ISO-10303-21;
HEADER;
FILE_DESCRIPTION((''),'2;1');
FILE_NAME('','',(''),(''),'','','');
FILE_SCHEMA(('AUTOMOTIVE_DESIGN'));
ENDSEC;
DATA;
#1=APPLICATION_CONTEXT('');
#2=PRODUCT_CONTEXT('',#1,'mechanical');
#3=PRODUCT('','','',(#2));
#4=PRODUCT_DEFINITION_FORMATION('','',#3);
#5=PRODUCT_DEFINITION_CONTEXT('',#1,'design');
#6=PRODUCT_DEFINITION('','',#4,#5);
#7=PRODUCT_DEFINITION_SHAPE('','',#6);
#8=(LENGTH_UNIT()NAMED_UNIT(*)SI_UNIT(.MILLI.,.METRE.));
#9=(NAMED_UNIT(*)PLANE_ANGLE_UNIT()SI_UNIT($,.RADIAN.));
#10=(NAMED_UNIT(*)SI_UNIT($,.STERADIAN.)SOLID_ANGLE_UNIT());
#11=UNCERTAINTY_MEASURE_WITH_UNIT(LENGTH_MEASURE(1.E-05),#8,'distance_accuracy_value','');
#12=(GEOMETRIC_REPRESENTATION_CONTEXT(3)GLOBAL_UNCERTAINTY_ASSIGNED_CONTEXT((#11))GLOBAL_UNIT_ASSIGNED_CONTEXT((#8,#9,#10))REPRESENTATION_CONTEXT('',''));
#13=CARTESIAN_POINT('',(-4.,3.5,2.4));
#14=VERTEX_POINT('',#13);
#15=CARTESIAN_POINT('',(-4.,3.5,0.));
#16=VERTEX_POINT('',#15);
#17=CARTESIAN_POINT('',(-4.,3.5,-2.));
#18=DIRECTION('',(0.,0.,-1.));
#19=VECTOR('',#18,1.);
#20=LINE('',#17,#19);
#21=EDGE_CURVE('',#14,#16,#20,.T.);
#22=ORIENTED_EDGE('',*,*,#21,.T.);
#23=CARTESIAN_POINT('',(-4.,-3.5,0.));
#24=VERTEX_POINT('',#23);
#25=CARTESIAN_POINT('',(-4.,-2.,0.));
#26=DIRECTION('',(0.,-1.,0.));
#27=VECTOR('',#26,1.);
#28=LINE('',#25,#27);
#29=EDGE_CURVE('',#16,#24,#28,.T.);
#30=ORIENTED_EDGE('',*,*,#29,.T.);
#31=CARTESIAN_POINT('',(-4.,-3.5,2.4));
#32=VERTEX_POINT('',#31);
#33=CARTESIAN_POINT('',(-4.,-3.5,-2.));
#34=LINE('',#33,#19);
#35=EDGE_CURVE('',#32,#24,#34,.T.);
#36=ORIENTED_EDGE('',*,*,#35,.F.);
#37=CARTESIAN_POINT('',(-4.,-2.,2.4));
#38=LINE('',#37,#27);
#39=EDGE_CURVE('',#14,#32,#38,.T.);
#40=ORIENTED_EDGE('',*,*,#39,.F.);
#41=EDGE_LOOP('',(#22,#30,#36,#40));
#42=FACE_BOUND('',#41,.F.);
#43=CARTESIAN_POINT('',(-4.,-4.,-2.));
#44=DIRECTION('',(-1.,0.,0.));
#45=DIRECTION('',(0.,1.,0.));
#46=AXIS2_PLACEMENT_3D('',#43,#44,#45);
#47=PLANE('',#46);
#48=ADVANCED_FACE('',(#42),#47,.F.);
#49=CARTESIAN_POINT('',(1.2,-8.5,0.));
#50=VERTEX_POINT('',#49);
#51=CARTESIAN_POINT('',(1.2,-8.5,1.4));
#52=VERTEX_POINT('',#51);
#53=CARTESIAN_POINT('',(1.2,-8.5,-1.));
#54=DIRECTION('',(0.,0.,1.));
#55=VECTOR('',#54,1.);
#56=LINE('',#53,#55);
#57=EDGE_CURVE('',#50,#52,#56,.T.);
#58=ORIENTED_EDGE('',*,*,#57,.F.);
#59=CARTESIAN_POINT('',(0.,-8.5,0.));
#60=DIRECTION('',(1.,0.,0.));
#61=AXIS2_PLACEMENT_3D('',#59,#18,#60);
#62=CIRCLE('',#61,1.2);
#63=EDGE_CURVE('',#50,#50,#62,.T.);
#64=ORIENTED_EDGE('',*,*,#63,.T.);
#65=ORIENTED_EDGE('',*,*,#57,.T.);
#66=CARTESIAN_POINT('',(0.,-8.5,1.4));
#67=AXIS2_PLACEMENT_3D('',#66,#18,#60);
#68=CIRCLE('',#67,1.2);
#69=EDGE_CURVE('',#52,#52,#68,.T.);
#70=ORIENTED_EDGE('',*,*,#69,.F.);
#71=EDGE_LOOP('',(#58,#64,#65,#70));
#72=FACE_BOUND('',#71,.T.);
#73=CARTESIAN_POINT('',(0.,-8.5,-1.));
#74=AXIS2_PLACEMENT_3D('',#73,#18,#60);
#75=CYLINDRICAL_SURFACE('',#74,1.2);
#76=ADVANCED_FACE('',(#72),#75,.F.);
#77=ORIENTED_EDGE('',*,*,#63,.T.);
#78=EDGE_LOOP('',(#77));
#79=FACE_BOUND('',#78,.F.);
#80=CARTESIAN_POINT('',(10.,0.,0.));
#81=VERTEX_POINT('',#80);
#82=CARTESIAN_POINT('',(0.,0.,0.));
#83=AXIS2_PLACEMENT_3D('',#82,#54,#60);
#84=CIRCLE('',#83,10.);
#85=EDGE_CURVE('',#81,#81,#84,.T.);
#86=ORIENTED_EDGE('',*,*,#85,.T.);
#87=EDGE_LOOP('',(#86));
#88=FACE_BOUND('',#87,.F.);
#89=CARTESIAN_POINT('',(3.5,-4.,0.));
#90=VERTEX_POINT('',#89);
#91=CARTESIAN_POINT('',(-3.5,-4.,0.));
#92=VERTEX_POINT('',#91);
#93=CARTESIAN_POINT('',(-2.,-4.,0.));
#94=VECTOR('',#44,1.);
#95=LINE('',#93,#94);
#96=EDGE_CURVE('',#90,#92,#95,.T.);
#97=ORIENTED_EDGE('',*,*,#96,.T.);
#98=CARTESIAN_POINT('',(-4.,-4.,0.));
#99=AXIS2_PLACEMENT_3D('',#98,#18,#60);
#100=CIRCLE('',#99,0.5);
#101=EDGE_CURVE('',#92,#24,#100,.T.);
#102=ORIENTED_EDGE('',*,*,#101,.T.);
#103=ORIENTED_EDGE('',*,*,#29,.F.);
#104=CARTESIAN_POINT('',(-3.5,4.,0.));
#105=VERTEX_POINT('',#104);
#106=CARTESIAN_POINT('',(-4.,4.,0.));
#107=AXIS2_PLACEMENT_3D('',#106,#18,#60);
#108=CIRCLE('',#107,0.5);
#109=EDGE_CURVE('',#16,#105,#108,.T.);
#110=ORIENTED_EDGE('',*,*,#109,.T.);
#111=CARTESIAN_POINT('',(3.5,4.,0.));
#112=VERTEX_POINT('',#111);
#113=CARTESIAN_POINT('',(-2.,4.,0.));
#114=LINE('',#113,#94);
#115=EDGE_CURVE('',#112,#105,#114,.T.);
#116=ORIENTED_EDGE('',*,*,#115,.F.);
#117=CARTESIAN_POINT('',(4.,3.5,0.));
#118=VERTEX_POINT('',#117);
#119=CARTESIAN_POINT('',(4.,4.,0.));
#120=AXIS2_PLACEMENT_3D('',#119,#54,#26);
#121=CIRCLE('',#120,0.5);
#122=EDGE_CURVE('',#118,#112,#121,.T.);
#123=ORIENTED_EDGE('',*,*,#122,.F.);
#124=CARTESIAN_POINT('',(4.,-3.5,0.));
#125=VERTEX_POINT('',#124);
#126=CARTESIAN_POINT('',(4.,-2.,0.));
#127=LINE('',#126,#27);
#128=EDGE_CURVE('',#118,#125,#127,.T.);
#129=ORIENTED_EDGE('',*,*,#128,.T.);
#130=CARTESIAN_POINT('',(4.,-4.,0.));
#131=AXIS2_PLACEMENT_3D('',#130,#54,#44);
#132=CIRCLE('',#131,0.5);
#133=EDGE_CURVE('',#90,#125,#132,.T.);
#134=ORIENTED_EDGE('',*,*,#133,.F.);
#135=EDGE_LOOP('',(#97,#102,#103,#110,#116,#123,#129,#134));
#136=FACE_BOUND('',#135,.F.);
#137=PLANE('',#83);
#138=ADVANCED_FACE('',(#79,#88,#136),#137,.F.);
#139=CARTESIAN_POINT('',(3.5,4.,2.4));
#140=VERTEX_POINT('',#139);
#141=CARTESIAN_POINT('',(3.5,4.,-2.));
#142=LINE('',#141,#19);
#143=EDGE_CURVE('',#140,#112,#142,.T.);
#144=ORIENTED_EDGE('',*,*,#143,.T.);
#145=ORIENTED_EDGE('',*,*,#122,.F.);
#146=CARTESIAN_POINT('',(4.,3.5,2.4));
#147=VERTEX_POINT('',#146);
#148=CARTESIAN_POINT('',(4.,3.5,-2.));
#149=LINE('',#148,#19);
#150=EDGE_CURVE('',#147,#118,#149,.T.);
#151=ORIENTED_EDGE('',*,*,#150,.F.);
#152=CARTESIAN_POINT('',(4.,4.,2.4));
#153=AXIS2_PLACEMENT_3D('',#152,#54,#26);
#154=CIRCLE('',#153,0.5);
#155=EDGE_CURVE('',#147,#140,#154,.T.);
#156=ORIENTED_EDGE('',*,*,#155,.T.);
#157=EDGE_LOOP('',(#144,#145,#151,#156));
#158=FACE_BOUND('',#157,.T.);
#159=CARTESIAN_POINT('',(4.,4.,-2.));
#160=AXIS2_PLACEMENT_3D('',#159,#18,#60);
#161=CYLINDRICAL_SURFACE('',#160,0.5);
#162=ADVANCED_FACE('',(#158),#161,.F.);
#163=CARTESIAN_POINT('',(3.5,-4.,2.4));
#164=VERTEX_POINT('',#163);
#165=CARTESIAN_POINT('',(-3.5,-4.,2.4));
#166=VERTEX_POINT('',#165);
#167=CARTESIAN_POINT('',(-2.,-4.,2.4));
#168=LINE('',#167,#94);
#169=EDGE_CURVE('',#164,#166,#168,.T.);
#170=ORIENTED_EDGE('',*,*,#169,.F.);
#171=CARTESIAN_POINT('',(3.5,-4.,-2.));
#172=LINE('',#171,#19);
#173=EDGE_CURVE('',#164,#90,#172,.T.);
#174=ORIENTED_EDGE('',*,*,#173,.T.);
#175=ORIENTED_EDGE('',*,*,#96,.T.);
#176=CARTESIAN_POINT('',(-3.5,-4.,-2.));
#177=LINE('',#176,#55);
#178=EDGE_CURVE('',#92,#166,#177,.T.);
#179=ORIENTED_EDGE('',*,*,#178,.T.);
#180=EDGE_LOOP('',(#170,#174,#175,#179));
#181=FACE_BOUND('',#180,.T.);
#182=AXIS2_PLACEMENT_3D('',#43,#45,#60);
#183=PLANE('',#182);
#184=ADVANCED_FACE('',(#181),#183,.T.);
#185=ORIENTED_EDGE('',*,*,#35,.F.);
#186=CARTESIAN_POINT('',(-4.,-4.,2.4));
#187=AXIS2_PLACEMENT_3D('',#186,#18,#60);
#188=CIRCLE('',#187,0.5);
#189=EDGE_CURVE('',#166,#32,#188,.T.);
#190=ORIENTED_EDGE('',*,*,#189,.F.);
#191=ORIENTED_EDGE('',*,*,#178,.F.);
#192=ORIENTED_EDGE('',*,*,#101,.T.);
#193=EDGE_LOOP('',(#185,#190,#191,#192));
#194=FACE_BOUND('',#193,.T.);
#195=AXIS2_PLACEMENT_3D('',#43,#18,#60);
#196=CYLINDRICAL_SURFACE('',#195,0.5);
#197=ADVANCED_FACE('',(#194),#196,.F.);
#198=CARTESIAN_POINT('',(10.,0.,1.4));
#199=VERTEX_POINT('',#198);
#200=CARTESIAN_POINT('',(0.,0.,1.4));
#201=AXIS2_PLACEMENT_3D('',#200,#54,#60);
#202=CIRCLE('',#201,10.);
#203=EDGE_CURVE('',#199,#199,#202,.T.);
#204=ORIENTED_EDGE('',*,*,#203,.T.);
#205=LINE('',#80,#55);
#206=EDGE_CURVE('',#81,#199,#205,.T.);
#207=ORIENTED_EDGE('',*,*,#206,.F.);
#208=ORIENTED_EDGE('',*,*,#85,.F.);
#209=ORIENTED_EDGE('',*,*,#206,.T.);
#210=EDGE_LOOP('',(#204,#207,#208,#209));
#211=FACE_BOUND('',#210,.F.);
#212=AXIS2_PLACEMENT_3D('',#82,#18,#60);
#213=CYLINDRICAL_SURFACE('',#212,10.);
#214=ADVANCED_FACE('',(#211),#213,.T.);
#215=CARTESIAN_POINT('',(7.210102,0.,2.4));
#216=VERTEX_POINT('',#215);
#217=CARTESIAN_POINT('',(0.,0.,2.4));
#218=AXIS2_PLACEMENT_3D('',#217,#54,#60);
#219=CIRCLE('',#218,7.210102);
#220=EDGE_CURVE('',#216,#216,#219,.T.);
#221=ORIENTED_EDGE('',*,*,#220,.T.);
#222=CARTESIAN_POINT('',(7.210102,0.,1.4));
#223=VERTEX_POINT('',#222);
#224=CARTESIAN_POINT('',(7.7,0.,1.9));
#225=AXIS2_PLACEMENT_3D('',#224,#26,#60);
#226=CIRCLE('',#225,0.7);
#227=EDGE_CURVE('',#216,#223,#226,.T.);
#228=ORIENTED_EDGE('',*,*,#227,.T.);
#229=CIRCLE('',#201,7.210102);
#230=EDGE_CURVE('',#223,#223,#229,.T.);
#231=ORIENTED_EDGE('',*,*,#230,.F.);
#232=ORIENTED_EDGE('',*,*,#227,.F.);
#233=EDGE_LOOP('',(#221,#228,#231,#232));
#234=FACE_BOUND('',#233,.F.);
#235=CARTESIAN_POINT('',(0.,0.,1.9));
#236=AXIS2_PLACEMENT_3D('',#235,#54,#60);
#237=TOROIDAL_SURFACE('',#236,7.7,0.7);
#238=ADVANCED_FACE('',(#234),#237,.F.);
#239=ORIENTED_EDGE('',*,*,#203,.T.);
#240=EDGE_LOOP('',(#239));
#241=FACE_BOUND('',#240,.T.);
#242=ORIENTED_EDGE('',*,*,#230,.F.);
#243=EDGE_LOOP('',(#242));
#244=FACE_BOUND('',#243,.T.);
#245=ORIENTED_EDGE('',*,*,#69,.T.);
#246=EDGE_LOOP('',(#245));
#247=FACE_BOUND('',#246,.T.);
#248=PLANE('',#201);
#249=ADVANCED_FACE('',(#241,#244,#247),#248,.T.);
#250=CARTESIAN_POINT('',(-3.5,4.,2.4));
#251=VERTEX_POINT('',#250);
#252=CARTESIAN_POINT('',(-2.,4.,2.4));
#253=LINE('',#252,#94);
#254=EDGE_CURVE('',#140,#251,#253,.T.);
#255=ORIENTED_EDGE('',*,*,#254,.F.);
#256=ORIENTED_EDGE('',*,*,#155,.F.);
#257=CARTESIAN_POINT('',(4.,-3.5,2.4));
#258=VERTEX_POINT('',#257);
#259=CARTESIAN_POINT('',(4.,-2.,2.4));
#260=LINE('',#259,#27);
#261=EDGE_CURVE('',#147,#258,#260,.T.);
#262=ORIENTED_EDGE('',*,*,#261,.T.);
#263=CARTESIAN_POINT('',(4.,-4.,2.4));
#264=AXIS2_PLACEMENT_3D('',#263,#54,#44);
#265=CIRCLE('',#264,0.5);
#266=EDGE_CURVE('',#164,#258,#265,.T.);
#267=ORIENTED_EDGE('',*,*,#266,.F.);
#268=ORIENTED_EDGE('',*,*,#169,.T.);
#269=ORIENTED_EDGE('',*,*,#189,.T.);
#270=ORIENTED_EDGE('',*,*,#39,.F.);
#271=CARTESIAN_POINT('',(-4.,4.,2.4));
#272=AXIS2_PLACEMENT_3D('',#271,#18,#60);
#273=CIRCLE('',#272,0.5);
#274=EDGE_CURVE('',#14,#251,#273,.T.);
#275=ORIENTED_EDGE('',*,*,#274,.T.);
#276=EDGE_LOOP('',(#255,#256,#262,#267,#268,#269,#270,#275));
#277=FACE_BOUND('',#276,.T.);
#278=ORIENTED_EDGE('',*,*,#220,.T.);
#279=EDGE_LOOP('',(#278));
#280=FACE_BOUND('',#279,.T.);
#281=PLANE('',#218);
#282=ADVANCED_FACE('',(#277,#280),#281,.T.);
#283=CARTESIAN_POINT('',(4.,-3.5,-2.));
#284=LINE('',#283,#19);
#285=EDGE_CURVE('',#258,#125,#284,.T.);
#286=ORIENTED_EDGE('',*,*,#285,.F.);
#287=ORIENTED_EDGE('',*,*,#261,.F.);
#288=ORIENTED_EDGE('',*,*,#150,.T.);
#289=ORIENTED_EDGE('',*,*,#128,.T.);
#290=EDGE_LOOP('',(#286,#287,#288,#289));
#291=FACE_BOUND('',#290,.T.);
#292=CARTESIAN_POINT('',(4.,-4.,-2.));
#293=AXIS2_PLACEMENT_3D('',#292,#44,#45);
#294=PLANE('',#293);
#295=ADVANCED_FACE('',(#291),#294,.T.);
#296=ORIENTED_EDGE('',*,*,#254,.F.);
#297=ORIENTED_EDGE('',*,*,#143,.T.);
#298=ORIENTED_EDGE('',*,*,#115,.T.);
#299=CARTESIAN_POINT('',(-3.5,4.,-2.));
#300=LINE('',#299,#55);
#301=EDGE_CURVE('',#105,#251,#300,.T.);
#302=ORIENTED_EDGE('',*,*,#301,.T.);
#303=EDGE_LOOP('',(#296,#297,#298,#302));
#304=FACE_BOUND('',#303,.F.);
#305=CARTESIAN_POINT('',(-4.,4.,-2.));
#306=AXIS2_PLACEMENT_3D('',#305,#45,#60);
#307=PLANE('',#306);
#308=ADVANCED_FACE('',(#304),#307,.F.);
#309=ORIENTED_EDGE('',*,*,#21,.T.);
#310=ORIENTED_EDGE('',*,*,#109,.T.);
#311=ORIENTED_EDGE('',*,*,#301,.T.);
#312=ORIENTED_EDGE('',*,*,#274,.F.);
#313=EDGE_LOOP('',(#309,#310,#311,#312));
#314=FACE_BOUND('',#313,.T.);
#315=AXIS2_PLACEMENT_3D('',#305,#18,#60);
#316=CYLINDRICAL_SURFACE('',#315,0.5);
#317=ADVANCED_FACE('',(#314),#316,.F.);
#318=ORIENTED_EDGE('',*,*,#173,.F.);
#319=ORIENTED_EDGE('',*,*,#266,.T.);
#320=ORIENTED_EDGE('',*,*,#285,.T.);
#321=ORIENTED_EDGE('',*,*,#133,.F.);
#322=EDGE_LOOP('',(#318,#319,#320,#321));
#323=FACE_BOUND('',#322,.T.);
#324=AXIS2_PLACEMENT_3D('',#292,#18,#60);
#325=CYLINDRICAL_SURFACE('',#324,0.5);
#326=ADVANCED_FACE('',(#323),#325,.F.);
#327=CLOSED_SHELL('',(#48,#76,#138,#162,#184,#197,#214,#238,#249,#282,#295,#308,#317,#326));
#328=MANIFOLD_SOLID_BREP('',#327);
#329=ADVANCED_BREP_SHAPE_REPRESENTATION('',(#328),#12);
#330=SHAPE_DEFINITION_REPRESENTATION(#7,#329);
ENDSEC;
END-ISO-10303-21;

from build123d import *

# Parameters (mm, degrees)
CYLINDER014_R     = 1.2
CYLINDER014_DEPTH = 3
CYLINDER013_R     = 0.5
CYLINDER013_DEPTH = 10
ARRAY013_X_COUNT  = 2
ARRAY013_X_PITCH  = 8
ARRAY013_Y_COUNT  = 2
ARRAY013_Y_PITCH  = 8
BOX016_W          = 8
BOX016_H          = 8
BOX016_DEPTH      = 10
TORUS_R           = 0.7
CYLINDER012_R     = 7.7
CYLINDER012_DEPTH = 2.4
CYLINDER003_R     = 10
CYLINDER003_DEPTH = 1.4


with BuildPart() as magnet:
    # Cylinder014 → Cylinder014 (new body)
    with BuildSketch(Plane(origin=(0, -8.5, -1), x_dir=(1, 0, 0), z_dir=(0, 0, 1))):
        Circle(CYLINDER014_R)
    extrude(amount=CYLINDER014_DEPTH)


with BuildPart() as array013:
    # Cylinder013 → Cylinder013 (new body)
    with BuildSketch(Plane(origin=(4, 4, -2), x_dir=(1, 0, 0), z_dir=(0, 0, 1))):
        Circle(CYLINDER013_R)
    extrude(amount=CYLINDER013_DEPTH)

    # Array013 X: Array013 ×2


with BuildPart() as array013_1:
    add(array013.part)
    with Locations(*[(-i * ARRAY013_X_PITCH, 0, 0) for i in range(1, ARRAY013_X_COUNT)]):
        add(array013.part)

    # Array013 Y: Array013 ×2


with BuildPart() as array013_2:
    add(array013_1.part)
    with Locations(*[(0, -i * ARRAY013_Y_PITCH, 0) for i in range(1, ARRAY013_Y_COUNT)]):
        add(array013_1.part)


with BuildPart() as vierkant:
    # Box016 → Box016 (new body)
    with BuildSketch(Plane(origin=(-4, -4, -2), x_dir=(1, 0, 0), z_dir=(0, 0, 1))):
        with Locations((4, 4)):
            Rectangle(BOX016_W, BOX016_H)
    extrude(amount=BOX016_DEPTH)


with BuildPart() as torus:
    # Torus → Torus (revolve)
    with BuildSketch(Plane(origin=(0, 0, 1.9), x_dir=(1, 0, 0), z_dir=(0, -1, 0))):
        with Locations((7.7, 0)):
            Circle(TORUS_R)
    revolve(axis=Axis((0, 0, 1.9), (0, 0, 1)))


with BuildPart() as cut017:
    # Cylinder012 → Cylinder012 (new body)
    with BuildSketch(Plane.XY):
        Circle(CYLINDER012_R)
    extrude(amount=CYLINDER012_DEPTH)

    # Cut017: cut Torus
    add(torus.part, mode=Mode.SUBTRACT)


with BuildPart() as magnethalter:
    # Cylinder003 → Cylinder003 (new body)
    with BuildSketch(Plane.XY):
        Circle(CYLINDER003_R)
    extrude(amount=CYLINDER003_DEPTH)

    # Fusion003: union Cut017
    add(cut017.part)

    # Cut018: cut Vierkant
    add(vierkant.part, mode=Mode.SUBTRACT)

    # Cut019: cut Array013
    add(array013_2.part, mode=Mode.SUBTRACT)

    # Cut020: cut Magnet
    add(magnet.part, mode=Mode.SUBTRACT)


solid = magnethalter.part
